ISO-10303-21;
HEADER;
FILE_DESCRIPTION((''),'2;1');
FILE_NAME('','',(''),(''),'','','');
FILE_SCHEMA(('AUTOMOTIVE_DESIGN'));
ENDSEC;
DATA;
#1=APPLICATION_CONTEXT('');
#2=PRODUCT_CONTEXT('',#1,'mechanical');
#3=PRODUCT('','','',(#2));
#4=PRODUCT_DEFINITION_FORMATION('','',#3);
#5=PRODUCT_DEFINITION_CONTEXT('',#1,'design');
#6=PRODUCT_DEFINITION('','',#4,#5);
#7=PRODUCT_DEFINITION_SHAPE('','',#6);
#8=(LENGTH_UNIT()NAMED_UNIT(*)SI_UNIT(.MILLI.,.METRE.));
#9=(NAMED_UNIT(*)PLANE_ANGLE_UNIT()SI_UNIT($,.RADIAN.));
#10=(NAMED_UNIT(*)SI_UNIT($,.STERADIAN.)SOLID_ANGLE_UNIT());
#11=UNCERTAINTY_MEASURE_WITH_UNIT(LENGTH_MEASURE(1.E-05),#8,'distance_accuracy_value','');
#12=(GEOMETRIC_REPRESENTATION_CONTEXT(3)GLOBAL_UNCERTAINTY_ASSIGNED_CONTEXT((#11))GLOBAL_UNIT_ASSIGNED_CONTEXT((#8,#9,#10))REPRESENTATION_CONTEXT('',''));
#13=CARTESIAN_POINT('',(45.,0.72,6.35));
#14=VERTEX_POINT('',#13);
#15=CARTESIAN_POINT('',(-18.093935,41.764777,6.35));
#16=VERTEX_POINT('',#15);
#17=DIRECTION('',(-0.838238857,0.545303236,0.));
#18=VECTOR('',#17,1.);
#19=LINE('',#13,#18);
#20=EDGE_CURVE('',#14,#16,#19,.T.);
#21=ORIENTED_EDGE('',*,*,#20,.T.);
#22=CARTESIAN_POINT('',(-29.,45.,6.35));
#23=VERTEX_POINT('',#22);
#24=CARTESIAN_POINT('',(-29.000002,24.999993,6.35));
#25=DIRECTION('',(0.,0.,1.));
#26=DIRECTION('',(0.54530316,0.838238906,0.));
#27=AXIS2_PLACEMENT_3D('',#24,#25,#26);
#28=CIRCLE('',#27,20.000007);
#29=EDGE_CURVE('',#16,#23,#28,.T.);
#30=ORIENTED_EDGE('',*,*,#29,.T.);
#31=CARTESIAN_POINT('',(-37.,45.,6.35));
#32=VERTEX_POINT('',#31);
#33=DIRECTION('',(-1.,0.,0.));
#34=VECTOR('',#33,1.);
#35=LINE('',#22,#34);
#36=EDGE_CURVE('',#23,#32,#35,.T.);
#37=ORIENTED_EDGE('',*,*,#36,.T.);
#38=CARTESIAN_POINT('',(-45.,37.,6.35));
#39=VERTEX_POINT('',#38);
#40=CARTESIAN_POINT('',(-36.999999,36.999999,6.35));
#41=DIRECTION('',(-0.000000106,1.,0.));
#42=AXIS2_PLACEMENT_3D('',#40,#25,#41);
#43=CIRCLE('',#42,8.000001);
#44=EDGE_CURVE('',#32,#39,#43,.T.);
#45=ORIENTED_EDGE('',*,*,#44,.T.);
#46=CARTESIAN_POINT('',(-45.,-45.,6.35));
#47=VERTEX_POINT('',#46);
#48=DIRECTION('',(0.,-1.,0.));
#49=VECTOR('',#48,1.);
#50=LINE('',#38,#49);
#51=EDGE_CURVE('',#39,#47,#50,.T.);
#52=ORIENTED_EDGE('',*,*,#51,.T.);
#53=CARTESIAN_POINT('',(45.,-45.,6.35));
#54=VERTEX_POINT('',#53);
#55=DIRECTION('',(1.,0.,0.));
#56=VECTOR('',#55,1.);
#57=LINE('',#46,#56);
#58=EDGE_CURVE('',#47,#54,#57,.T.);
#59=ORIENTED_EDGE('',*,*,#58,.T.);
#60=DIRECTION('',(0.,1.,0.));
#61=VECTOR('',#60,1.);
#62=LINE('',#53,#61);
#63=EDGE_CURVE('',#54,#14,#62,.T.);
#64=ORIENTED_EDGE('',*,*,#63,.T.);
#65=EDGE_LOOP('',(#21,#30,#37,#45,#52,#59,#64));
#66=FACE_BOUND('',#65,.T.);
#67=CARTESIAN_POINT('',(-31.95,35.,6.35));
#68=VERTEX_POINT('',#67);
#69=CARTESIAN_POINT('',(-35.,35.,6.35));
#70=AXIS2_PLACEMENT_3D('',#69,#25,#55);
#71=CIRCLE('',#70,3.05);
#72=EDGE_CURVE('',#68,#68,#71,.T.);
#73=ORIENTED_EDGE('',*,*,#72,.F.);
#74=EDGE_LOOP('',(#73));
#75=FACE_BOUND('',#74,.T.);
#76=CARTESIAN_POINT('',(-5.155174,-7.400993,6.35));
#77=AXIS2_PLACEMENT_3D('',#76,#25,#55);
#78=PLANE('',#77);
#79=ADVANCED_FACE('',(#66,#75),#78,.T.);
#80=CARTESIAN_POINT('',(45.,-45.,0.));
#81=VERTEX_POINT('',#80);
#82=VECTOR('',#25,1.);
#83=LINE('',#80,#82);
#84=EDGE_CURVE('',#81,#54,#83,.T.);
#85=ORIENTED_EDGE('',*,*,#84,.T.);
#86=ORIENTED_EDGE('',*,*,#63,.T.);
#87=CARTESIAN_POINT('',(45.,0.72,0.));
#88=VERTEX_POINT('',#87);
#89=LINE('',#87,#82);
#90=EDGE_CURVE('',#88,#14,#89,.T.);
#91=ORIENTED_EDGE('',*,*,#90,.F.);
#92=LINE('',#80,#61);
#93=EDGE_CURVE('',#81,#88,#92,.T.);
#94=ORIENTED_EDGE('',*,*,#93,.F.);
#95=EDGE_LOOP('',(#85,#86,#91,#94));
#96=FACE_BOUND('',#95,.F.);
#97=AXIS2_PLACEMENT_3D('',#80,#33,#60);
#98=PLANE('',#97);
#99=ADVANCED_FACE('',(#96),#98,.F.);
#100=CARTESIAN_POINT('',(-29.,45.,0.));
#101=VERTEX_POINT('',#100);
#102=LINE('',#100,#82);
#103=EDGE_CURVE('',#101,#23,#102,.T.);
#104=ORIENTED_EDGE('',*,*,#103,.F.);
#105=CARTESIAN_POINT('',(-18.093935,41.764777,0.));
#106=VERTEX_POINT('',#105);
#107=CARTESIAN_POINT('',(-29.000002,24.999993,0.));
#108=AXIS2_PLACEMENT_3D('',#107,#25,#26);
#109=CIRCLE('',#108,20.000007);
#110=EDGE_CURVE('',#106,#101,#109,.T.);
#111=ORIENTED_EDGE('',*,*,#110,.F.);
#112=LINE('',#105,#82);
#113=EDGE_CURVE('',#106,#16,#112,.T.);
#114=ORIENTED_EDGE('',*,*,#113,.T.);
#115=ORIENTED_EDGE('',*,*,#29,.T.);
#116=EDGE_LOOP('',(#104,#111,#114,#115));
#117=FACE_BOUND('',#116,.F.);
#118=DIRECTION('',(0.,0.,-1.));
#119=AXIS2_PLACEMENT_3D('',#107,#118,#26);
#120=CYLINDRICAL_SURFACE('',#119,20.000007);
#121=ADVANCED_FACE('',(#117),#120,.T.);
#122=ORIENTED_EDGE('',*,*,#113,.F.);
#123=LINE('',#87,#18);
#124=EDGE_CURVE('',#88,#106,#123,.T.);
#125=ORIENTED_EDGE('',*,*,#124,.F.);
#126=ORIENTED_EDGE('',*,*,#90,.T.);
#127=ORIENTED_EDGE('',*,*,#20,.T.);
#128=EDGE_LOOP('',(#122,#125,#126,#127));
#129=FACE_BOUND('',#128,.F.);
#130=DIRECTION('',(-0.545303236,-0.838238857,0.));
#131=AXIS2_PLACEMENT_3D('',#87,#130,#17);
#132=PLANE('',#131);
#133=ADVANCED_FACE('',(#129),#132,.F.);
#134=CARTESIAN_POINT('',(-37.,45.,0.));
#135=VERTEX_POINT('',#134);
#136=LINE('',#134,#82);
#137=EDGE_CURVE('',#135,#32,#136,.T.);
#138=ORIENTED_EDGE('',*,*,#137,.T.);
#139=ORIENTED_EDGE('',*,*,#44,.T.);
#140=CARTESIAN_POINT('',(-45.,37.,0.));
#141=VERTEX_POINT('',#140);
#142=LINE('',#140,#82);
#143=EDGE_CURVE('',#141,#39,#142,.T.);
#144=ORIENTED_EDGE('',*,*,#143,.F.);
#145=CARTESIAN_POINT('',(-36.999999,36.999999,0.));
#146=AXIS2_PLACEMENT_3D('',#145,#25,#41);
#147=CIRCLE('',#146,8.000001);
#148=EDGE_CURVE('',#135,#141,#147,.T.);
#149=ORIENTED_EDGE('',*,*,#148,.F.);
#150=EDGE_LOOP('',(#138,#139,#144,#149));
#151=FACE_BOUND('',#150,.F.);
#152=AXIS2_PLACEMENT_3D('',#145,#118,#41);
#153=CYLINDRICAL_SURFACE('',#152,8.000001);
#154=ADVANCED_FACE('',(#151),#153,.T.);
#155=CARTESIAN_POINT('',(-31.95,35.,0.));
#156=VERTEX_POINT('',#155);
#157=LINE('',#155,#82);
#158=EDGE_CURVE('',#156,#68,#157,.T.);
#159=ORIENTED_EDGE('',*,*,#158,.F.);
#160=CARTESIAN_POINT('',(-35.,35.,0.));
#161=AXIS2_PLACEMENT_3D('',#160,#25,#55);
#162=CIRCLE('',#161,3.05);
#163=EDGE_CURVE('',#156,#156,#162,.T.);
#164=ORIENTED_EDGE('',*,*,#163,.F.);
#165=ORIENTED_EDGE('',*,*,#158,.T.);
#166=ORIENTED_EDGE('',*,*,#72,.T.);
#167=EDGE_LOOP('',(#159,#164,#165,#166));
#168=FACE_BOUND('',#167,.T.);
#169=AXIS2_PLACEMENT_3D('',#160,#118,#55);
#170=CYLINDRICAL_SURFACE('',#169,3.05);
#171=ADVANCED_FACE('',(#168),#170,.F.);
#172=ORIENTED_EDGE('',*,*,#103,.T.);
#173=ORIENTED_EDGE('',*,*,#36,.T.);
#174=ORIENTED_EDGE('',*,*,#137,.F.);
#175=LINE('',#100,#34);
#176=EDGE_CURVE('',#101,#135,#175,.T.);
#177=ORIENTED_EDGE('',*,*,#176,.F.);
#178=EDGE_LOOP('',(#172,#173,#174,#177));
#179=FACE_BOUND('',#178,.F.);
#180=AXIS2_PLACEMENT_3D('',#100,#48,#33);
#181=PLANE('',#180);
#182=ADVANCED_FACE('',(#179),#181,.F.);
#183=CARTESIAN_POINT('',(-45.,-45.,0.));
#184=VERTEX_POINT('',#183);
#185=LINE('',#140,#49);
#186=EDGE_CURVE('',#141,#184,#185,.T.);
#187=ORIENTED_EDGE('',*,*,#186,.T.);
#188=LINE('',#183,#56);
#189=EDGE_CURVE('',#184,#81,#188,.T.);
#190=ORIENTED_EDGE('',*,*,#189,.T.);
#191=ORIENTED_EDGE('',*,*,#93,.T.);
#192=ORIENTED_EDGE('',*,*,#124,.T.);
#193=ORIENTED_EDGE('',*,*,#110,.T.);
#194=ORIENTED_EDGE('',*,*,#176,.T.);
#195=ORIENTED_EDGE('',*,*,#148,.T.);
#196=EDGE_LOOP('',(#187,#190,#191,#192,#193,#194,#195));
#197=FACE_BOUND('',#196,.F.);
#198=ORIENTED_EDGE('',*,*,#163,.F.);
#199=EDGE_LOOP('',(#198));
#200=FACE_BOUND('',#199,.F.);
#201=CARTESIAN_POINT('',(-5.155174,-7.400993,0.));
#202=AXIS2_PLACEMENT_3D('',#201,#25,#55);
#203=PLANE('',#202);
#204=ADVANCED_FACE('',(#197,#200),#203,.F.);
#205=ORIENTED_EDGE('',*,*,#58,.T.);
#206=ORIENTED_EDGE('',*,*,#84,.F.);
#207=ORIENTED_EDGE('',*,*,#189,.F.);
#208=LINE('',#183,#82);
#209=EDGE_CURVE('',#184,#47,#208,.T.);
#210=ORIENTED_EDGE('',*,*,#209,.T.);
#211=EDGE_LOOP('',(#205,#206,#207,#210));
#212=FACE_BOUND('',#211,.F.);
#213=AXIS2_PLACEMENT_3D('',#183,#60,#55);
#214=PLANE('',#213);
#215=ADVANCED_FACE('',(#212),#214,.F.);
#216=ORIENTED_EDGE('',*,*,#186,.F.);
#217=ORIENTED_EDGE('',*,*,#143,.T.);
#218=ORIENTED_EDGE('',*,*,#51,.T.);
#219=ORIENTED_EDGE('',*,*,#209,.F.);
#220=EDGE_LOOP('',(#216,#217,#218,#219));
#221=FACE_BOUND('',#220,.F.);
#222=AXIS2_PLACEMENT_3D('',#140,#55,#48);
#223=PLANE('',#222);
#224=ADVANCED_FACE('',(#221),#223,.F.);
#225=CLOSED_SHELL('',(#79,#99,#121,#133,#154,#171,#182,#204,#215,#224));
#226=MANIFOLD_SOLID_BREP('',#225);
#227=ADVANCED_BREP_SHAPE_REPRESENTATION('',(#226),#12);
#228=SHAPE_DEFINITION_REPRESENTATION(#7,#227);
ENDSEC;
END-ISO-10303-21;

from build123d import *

# Parameters (mm, degrees)
F0_R     = 3.05
F1_DEPTH = 6.35


with BuildPart() as f1:
    # F0 (on Top) → F1 (new body)
    with BuildSketch(Plane.XY):
        with BuildLine():
            Line((-45, 37), (-45, -45))
            Line((-45, -45), (45, -45))
            Line((45, -45), (45, 0.72))
            Line((45, 0.72), (-18.093935, 41.764777))
            ThreePointArc((-18.093935, 41.764777), (-23.312098, 44.174143), (-29, 45))
            Line((-29, 45), (-37, 45))
            ThreePointArc((-37, 45), (-42.656854, 42.656854), (-45, 37))
        make_face()
        with Locations((-35, 35)):
            Circle(F0_R, mode=Mode.SUBTRACT)
    extrude(amount=F1_DEPTH)


solid = f1.part
